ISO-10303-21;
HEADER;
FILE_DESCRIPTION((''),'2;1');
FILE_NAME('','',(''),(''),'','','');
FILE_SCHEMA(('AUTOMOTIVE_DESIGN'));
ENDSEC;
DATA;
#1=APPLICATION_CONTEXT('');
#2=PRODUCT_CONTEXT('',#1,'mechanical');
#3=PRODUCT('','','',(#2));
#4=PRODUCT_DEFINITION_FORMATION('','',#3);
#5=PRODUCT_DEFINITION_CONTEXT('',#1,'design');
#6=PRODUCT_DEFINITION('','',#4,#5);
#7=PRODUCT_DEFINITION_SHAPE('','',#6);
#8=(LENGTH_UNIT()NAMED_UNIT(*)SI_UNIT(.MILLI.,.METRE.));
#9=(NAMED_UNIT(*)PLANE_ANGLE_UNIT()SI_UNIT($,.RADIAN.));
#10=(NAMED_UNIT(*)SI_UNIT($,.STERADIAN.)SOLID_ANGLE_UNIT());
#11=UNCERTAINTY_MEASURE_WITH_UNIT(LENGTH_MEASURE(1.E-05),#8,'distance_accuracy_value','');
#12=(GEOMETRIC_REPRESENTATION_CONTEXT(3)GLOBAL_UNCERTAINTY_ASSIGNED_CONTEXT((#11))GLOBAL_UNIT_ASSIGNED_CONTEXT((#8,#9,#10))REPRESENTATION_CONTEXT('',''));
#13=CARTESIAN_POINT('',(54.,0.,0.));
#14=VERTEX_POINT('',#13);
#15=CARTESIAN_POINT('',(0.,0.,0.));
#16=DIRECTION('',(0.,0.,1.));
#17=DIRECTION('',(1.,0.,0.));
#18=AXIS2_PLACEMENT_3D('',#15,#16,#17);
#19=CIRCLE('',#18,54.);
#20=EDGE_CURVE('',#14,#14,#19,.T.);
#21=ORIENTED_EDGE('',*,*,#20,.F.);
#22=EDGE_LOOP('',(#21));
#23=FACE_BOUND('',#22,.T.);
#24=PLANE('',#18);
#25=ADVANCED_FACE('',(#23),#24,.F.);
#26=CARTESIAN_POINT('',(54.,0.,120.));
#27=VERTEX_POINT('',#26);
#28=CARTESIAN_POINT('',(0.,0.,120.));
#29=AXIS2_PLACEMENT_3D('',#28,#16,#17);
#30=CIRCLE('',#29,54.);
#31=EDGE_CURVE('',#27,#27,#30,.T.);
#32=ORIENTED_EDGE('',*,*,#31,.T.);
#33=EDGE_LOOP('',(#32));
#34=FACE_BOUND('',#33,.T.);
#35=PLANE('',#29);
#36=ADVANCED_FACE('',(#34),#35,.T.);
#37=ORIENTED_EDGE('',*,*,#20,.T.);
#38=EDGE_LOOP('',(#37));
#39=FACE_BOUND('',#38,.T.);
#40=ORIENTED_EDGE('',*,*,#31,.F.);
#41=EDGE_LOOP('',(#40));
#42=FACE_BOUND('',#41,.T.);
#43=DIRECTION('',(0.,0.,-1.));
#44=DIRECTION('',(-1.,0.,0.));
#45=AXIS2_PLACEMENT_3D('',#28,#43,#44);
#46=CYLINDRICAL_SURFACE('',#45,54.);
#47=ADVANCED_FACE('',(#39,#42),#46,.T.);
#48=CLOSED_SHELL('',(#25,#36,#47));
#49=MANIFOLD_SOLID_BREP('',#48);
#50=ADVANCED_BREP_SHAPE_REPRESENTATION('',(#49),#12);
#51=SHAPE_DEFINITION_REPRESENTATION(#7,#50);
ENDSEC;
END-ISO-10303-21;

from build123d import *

# Parameters (mm, degrees)
SCHIZZO1_R                   = 54
ESTRUSIONE_ESTRUSIONE1_DEPTH = 120


with BuildPart() as part:
    # Schizzo1 → Estrusione-Estrusione1 (new body)
    with BuildSketch(Plane.XY):
        Circle(SCHIZZO1_R)
    extrude(amount=ESTRUSIONE_ESTRUSIONE1_DEPTH)


solid = part.part
